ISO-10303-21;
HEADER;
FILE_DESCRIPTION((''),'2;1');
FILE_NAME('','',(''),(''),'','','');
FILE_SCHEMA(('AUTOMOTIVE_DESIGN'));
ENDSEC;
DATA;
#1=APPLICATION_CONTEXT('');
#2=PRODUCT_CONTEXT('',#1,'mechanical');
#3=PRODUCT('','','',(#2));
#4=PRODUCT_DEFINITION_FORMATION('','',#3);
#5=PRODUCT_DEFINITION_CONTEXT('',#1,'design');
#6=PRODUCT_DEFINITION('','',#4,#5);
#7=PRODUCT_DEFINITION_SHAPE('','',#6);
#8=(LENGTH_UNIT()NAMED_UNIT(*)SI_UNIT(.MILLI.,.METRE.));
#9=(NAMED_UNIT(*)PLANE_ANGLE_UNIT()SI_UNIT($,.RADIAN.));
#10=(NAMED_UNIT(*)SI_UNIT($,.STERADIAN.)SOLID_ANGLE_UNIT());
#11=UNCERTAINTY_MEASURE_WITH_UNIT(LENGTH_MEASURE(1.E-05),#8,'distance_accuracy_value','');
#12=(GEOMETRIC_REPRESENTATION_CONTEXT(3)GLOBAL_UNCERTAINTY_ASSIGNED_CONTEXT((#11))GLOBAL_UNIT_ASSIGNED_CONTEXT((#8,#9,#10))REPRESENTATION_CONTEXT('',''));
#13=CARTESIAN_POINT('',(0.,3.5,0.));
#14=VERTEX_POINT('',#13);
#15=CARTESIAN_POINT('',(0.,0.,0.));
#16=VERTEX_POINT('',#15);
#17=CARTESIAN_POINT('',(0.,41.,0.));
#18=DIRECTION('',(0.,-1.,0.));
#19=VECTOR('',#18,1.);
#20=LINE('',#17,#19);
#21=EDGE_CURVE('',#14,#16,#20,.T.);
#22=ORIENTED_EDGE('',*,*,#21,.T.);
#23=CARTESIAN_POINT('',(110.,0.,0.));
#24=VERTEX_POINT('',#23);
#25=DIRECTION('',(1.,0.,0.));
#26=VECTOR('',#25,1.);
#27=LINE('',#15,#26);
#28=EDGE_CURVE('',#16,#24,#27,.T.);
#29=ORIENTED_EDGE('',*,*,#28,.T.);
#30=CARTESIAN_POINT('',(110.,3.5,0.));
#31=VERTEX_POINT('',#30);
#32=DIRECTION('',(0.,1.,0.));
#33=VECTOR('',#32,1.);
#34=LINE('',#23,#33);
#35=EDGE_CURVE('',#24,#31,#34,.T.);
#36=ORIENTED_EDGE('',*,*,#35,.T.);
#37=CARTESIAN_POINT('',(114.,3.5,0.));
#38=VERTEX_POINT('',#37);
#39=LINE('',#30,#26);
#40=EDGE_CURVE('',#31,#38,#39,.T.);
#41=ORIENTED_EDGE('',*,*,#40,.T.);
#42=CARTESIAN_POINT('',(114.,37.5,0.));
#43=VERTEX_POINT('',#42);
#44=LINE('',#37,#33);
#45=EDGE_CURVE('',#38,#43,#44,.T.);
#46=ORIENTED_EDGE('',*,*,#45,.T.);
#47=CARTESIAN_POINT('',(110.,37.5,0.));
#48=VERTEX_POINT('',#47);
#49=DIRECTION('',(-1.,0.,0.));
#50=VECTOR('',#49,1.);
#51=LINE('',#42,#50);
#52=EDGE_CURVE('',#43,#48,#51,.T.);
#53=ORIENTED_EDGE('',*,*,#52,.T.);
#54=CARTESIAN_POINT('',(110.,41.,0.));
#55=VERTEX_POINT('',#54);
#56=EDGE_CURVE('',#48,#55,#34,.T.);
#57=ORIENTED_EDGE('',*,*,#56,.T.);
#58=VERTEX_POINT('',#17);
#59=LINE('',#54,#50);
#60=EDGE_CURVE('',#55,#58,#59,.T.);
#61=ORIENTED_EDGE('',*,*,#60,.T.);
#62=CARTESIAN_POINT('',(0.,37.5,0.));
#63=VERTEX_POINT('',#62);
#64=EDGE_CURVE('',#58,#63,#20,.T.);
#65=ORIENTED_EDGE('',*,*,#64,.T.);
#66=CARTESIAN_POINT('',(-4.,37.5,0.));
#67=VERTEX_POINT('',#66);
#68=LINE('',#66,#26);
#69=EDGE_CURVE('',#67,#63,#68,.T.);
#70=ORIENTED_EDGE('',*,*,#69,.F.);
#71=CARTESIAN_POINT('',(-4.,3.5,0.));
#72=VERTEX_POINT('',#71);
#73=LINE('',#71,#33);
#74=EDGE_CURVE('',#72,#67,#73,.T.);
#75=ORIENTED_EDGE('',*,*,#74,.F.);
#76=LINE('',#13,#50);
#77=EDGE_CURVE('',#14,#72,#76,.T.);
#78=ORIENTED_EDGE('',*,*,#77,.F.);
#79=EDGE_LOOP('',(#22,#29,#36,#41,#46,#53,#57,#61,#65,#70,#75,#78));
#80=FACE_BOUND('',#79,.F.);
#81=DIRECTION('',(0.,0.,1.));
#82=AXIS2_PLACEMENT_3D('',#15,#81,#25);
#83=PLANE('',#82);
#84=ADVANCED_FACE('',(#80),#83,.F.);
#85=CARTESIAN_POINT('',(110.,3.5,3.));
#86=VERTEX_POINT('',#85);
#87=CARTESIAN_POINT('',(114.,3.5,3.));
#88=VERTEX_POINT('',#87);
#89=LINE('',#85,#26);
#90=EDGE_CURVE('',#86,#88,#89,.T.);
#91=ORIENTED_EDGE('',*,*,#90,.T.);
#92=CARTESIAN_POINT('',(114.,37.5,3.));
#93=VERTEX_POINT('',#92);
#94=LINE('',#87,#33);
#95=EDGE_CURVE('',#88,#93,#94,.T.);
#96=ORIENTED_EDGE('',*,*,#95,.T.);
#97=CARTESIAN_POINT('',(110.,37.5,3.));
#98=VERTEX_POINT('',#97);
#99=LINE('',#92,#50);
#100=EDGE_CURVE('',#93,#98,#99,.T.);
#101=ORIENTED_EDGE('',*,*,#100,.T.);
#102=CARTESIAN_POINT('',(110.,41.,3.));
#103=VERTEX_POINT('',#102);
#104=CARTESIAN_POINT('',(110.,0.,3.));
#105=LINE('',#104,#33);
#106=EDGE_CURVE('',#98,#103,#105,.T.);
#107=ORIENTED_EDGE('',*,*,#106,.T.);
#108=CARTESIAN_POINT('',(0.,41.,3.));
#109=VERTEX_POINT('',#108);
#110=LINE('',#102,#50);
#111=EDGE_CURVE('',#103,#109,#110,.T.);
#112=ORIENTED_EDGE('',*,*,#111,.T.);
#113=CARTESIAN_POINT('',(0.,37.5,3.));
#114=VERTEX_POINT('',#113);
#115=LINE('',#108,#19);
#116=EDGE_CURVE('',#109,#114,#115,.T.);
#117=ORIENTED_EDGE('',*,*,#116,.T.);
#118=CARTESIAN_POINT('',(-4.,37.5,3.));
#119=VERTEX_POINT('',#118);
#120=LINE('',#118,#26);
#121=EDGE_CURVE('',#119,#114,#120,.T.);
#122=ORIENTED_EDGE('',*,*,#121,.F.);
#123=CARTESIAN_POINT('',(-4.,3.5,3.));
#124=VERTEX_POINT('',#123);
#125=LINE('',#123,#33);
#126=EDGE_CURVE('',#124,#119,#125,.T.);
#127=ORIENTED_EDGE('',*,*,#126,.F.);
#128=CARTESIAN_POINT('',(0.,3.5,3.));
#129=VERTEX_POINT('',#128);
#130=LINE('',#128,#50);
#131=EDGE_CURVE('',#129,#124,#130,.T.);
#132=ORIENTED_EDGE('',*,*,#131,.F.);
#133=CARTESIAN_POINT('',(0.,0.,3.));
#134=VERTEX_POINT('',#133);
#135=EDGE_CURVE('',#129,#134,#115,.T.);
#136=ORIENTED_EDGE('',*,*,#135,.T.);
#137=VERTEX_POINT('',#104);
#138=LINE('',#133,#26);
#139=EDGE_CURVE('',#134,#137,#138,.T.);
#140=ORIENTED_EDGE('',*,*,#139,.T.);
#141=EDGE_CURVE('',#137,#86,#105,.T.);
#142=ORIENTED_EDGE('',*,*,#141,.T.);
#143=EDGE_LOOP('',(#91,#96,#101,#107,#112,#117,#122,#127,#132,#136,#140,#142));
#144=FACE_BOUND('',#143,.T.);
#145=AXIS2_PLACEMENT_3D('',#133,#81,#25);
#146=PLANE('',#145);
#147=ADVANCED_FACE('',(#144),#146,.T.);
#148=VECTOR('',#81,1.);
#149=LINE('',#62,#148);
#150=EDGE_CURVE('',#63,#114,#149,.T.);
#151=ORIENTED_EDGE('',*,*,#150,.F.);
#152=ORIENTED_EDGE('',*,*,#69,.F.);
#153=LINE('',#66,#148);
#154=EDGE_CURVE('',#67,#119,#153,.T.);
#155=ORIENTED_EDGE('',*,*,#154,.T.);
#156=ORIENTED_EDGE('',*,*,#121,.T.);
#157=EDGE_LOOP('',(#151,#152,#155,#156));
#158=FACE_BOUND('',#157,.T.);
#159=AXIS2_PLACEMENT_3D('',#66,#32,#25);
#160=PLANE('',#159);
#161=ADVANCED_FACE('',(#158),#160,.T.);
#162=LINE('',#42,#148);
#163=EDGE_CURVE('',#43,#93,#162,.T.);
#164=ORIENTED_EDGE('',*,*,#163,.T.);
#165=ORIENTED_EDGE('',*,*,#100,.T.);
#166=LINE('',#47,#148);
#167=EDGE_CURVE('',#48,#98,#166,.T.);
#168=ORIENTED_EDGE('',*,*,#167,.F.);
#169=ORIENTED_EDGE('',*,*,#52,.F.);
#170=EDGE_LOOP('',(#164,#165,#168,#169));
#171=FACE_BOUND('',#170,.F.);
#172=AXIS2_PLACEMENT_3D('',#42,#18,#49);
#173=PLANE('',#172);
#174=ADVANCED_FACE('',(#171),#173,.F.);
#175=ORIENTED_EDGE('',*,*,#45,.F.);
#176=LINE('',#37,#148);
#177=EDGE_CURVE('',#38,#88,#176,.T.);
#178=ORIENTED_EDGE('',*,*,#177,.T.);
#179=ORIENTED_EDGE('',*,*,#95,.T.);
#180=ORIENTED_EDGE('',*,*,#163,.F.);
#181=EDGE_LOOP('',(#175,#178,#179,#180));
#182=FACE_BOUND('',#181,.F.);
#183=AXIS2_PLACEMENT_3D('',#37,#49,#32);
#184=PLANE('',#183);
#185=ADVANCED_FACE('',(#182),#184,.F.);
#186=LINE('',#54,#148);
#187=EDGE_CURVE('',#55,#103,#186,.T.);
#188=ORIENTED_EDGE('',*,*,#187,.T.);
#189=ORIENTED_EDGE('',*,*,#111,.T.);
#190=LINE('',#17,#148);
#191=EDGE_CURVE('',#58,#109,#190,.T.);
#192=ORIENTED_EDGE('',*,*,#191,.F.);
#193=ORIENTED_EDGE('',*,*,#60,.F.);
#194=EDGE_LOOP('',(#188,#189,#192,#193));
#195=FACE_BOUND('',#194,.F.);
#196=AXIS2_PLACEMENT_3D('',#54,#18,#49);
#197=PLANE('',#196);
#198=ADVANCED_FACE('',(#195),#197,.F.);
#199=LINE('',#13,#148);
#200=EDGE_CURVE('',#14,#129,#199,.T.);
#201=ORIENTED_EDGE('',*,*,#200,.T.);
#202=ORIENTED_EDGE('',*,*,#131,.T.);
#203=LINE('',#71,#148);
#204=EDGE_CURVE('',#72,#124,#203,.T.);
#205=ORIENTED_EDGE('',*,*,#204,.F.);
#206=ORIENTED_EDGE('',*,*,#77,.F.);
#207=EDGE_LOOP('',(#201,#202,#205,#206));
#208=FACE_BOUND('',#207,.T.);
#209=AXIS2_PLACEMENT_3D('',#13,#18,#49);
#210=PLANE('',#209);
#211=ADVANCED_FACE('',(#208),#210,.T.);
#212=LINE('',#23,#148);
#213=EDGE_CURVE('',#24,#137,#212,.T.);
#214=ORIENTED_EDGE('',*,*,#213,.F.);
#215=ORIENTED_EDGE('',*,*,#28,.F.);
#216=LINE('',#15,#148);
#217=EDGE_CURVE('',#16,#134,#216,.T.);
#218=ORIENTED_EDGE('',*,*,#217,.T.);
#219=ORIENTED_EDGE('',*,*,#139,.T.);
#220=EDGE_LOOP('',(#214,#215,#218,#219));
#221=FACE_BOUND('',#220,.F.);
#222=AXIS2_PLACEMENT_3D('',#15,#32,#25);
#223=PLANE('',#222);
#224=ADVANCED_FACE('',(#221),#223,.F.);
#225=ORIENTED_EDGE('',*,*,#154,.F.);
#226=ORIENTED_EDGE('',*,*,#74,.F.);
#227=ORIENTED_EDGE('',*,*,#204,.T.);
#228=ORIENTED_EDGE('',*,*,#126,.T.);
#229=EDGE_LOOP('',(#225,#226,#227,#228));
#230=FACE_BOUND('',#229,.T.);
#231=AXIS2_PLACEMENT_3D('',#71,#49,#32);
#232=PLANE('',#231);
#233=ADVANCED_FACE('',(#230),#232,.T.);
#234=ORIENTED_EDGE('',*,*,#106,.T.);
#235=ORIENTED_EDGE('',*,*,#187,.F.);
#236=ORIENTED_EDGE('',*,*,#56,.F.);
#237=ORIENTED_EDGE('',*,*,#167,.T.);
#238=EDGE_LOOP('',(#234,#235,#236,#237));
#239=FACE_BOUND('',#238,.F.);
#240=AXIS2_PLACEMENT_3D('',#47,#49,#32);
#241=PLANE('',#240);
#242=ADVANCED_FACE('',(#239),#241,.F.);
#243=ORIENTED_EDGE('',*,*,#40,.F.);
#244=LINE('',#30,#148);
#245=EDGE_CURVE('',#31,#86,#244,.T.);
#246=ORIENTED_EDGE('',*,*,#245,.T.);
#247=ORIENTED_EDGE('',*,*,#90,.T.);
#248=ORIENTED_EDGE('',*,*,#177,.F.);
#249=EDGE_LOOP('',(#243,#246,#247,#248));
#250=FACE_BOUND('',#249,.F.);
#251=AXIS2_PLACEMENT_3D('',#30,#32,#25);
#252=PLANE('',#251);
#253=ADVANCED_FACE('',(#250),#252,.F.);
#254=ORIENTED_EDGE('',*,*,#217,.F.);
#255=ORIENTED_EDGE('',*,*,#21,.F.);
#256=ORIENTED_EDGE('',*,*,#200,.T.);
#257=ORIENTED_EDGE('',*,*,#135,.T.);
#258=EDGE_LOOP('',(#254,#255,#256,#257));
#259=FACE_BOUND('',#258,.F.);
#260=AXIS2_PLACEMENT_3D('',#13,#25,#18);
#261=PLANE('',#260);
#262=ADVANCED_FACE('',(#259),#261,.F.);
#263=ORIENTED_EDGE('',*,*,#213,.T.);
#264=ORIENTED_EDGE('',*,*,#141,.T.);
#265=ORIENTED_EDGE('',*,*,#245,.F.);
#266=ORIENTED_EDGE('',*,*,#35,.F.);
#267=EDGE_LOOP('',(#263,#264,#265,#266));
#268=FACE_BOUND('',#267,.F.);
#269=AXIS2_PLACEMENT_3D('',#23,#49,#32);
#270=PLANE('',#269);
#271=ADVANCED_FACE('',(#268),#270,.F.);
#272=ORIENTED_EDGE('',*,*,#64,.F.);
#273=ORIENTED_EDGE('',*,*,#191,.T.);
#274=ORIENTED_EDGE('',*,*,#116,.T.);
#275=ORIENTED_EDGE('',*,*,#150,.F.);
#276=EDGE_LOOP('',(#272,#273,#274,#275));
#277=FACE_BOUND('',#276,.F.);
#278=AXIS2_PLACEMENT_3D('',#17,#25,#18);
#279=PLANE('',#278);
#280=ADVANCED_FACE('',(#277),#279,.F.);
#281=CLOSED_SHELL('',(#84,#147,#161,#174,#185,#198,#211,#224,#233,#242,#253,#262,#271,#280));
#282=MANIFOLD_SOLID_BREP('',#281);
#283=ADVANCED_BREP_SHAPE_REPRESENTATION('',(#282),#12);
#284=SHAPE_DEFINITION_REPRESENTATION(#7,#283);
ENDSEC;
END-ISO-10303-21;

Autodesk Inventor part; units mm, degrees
ref_plane "YZ Plane" through (0, 0, 0) normal (1, 0, 0) x (0, 1, 0)
ref_plane "XZ Plane" through (0, 0, 0) normal (0, 1, 0) x (-1, 0, 0)
ref_plane "XY Plane" through (0, 0, 0) normal (0, 0, 1) x (1, 0, 0)
sketch "Sketch1" plane through (0, 0, 0) normal (0, 0, 1) x (1, 0, 0)
  line L0 (0, 0) -> (110, 0)
  line L1 (110, 0) -> (110, 41)
  line L2 (110, 41) -> (0, 41)
  line L3 (0, 41) -> (0, 0)
  line L4 (114, 37.5) -> (110, 37.5)
  line L5 (110, 37.5) -> (110, 3.5)
  line L6 (110, 3.5) -> (114, 3.5)
  line L7 (114, 3.5) -> (114, 37.5)
  line L8 (114, 37.5) -> (110, 3.5) construction
  line L9 (110, 37.5) -> (114, 3.5) construction
  line L10 (-4, 37.5) -> (0, 37.5)
  line L11 (0, 37.5) -> (0, 3.5)
  line L12 (0, 3.5) -> (-4, 3.5)
  line L13 (-4, 3.5) -> (-4, 37.5)
  line L14 (-4, 37.5) -> (0, 3.5) construction
  line L15 (0, 37.5) -> (-4, 3.5) construction
  point P0 (112, 20.5)
  point P1 (-2, 20.5)
  point P2 (110, 37.5)
  point P3 (0, 37.5)
  point P4 (0, 37.5)
  point P5 (110, 37.5)
  point P6 (110, 40)
  point P7 (0, 40)
  point P8 (110, 20.5)
  dimension "d0" = 4
  dimension "d1" = 4
  dimension "d2" = 110
  dimension "d3" = 41
  dimension "d4" = 34
extrude "Extrusion1" add sketch "Sketch1" along normal blind 3
properties part number "Battary_holder_part2"
